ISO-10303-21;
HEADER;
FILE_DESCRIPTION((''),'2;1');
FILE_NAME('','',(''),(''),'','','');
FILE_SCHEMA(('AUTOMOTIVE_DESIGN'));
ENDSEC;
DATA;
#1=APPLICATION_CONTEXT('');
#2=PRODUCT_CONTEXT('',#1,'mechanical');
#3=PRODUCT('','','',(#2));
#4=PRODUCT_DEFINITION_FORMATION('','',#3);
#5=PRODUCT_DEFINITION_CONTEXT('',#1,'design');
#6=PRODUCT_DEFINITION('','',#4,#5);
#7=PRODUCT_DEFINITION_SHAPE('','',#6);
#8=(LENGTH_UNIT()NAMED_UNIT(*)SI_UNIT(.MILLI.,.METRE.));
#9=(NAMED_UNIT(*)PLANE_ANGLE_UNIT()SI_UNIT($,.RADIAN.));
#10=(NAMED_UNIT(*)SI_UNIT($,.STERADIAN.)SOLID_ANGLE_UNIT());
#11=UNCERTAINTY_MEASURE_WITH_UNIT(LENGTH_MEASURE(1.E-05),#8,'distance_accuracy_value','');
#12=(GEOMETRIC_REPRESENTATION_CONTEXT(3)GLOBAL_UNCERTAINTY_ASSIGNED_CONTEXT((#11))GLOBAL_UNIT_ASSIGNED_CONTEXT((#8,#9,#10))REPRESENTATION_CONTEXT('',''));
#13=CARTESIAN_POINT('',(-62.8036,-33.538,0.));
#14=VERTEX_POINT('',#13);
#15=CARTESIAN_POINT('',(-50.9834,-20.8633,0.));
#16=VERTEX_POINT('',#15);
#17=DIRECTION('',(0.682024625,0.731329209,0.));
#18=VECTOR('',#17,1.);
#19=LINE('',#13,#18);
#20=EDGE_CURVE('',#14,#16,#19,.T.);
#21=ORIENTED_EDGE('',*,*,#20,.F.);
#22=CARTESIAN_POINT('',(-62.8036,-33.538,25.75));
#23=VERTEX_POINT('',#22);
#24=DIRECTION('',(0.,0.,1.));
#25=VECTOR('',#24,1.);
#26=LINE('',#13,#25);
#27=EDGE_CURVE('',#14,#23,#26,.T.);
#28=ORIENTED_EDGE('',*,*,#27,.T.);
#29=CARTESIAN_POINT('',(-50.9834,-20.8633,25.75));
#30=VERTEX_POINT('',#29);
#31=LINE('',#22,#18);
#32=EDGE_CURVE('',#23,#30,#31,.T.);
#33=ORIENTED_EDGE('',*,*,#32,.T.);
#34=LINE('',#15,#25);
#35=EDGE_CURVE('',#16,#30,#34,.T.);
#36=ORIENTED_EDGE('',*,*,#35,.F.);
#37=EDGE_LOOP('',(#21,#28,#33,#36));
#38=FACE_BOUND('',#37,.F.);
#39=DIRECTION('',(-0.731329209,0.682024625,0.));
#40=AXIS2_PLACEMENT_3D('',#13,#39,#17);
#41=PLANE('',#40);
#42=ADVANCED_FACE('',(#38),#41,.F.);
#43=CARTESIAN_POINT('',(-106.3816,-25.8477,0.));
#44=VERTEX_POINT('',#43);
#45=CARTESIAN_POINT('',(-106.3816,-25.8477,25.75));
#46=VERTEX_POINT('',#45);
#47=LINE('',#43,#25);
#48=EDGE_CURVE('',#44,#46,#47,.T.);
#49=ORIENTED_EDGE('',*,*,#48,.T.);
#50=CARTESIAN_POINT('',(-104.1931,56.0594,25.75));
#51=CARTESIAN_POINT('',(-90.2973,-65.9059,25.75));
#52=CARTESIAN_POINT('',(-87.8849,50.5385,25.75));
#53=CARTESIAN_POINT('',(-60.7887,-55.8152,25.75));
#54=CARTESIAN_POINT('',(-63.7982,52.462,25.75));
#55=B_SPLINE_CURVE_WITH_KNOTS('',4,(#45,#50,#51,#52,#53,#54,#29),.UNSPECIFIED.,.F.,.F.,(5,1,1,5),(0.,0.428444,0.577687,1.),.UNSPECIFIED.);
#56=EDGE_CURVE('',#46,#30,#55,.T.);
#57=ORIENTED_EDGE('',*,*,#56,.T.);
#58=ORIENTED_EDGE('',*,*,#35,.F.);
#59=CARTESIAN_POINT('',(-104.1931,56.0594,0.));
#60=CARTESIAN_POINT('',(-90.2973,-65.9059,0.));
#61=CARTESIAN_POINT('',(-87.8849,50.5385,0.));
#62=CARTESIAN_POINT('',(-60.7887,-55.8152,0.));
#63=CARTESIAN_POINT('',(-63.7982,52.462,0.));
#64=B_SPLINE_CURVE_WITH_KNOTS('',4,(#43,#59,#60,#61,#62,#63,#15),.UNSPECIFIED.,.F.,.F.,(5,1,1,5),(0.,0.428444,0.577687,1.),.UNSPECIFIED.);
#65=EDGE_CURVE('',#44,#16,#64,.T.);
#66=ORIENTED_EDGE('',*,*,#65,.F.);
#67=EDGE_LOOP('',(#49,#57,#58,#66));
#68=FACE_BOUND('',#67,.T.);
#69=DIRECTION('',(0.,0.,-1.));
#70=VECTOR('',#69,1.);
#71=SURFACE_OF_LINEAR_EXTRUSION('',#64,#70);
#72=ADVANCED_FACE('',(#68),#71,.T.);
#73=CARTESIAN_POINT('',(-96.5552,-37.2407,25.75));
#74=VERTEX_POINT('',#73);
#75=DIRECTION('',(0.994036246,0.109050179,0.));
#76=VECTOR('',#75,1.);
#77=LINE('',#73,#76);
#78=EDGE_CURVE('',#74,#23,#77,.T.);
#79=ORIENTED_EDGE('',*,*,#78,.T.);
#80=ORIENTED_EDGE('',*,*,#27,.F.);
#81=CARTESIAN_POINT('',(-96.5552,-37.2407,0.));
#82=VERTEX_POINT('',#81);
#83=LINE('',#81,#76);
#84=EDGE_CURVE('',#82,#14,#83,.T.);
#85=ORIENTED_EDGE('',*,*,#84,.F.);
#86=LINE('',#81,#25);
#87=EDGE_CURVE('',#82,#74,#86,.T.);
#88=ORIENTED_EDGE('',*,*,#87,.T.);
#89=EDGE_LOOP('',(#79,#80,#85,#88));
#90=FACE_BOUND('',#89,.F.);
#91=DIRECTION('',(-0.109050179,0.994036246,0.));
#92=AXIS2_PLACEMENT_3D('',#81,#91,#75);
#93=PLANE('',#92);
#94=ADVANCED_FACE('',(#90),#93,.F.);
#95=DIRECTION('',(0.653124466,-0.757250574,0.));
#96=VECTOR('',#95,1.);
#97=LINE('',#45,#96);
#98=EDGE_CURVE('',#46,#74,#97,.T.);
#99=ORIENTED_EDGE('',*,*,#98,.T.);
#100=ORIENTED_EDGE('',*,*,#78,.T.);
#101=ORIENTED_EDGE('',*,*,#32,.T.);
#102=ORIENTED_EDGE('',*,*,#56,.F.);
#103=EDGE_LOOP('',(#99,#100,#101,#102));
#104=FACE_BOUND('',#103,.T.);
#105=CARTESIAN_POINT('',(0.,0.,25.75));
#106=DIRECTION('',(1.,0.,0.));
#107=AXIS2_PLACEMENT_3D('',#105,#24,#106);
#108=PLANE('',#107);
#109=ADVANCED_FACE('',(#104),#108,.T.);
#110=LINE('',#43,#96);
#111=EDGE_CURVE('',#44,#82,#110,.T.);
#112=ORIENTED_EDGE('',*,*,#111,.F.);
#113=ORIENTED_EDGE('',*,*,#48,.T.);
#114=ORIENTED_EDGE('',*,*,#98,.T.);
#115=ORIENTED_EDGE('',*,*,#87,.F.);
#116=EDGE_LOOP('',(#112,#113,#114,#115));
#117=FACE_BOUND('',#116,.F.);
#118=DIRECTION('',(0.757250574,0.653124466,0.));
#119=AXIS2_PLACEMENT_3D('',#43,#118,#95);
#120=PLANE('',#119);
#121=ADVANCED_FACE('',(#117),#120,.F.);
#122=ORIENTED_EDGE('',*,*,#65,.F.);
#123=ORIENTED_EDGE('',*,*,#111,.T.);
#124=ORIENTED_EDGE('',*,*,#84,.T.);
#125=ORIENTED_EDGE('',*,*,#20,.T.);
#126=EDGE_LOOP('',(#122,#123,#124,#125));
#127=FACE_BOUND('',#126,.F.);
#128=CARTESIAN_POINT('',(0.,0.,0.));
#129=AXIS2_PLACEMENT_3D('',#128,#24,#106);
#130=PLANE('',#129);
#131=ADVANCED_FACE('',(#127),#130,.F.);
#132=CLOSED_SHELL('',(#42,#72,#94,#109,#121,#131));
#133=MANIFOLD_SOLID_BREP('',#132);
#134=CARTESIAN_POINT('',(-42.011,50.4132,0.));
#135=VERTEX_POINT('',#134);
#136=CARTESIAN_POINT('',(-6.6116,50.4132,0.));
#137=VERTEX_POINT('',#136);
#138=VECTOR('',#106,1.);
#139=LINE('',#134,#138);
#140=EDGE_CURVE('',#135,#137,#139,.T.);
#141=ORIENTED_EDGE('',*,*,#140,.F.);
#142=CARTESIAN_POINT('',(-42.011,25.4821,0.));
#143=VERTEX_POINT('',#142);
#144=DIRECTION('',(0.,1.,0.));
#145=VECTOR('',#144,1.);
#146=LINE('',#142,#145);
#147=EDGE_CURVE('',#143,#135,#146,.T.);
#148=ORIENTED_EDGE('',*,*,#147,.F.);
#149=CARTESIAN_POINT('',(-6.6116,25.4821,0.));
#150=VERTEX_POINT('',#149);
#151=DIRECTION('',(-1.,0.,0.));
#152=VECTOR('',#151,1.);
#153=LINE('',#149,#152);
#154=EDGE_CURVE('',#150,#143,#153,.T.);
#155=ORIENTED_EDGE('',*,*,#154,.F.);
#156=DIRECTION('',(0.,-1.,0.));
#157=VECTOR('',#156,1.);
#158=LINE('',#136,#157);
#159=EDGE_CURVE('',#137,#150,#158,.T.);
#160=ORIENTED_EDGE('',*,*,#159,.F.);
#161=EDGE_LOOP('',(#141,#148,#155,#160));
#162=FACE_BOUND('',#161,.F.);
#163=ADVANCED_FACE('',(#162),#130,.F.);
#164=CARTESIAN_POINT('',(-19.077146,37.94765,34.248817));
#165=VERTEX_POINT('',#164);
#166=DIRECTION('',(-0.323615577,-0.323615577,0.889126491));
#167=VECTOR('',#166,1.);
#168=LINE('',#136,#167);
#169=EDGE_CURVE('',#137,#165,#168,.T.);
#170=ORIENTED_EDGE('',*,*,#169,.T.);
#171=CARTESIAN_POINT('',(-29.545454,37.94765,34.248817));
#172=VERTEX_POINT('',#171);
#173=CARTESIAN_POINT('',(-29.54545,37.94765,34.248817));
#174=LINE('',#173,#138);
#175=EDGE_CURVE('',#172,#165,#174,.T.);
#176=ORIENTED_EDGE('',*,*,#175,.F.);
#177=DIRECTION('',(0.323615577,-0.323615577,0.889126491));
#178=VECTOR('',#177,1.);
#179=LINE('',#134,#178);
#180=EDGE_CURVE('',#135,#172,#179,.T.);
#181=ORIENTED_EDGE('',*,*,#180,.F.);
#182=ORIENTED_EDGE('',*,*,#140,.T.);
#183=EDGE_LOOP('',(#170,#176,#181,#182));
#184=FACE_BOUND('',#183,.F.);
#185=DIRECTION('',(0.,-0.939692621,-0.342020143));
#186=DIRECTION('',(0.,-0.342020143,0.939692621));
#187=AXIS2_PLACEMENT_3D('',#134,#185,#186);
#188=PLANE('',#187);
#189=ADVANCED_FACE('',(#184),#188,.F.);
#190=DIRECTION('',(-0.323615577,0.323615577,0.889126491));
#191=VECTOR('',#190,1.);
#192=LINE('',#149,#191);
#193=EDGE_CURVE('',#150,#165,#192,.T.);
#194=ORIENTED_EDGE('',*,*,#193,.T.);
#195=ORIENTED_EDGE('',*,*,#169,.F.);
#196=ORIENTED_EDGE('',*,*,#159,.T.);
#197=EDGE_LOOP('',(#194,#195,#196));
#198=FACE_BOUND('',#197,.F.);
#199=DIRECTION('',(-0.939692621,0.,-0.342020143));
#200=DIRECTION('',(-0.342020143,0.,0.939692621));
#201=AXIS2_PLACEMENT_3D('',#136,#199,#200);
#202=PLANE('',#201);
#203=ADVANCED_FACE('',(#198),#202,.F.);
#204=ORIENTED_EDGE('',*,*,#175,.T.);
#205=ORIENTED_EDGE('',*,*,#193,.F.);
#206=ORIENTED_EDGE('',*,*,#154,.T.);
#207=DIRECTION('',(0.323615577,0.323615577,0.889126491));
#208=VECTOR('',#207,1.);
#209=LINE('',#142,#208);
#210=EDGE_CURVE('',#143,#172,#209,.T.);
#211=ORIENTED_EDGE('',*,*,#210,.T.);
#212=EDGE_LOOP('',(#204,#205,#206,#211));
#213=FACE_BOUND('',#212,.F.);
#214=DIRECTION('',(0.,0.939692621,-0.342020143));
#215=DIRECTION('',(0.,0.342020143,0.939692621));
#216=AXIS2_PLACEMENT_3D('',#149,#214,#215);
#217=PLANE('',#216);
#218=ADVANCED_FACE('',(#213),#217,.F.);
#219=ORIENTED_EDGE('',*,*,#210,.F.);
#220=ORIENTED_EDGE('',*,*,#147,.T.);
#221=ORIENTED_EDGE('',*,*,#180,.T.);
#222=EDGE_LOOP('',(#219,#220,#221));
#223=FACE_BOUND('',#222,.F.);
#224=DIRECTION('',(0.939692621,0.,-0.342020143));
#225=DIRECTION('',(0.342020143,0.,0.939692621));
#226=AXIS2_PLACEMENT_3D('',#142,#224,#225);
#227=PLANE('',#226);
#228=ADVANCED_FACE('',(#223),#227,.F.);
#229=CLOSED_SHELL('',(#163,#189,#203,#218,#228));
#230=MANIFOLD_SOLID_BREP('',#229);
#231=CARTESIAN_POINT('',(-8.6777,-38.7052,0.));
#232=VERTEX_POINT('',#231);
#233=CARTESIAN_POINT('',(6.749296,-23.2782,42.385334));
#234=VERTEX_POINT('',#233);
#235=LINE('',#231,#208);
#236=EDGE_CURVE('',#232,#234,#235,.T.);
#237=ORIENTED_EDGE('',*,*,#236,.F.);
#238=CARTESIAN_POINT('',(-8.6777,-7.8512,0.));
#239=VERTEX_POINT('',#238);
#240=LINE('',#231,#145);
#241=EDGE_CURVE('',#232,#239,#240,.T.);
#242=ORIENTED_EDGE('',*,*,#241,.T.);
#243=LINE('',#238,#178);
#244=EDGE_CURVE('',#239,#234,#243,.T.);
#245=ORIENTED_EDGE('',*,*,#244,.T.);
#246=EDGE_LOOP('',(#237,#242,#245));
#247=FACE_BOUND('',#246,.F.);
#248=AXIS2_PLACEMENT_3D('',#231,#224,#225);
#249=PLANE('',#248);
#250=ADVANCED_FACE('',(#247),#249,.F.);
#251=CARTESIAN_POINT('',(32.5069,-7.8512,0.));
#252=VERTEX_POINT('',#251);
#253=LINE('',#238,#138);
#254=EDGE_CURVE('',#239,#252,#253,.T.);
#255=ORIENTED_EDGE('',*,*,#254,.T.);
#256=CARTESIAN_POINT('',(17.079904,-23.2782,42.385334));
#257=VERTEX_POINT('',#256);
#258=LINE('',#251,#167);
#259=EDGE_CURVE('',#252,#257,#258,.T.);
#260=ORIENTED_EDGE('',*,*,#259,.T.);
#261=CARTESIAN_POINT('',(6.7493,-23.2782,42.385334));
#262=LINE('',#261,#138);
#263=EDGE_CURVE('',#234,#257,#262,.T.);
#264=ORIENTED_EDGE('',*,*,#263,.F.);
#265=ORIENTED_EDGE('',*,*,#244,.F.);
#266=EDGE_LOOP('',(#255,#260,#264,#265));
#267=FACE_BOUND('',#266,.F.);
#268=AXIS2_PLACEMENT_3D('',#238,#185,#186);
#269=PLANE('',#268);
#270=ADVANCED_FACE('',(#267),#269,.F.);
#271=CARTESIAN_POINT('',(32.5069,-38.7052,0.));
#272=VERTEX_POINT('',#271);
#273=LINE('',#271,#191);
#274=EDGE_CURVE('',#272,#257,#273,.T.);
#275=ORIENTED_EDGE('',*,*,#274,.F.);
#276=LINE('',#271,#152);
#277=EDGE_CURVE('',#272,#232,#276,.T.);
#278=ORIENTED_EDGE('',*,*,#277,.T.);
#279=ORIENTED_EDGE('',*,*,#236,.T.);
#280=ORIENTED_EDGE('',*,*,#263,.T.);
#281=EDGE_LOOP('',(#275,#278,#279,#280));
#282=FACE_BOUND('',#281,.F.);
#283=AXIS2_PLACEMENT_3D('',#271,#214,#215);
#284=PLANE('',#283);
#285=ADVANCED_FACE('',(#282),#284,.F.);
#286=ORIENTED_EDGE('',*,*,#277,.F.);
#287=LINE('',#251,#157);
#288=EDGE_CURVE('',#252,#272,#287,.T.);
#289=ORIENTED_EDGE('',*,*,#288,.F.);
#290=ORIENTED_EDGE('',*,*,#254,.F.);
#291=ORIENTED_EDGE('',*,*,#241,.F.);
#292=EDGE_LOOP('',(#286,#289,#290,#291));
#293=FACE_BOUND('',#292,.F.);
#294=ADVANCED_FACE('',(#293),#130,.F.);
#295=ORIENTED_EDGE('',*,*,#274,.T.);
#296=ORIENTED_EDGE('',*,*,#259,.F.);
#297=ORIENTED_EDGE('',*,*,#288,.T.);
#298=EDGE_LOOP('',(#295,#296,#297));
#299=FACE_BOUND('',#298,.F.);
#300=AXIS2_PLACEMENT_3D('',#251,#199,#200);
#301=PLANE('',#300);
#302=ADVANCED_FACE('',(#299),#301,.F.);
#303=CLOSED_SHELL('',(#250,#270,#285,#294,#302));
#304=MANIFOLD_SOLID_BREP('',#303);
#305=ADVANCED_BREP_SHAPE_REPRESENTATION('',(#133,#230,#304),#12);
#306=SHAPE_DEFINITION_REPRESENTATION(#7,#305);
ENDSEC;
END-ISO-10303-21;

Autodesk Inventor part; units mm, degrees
ref_plane "YZ Plane" through (0, 0, 0) normal (1, 0, 0) x (0, 1, 0)
ref_plane "XZ Plane" through (0, 0, 0) normal (0, 1, 0) x (-1, 0, 0)
ref_plane "XY Plane" through (0, 0, 0) normal (0, 0, 1) x (1, 0, 0)
sketch "Sketch1" plane through (0, 0, 0) normal (0, 0, 1) x (1, 0, 0)
  line L0 (-42.011, 50.4132) -> (-6.6116, 50.4132)
  line L1 (-6.6116, 50.4132) -> (-6.6116, 25.4821)
  line L2 (-6.6116, 25.4821) -> (-42.011, 25.4821)
  line L3 (-42.011, 25.4821) -> (-42.011, 50.4132)
  line L4 (-8.6777, -7.8512) -> (32.5069, -7.8512)
  line L5 (32.5069, -7.8512) -> (32.5069, -38.7052)
  line L6 (32.5069, -38.7052) -> (-8.6777, -38.7052)
  line L7 (-8.6777, -38.7052) -> (-8.6777, -7.8512)
  point P0 (0, 0)
extrude "Extrusion1" add sketch "Sketch1" along normal blind 50 draft -20
sketch "Sketch2" plane through (0, 0, 0) normal (0, 0, 1) x (1, 0, 0)
  spline S0 degree 4 poles (-106.3816, -25.8477) (-104.1931, 56.0594) (-90.2973, -65.9059) (-87.8849, 50.5385) (-60.7887, -55.8152) (-63.7982, 52.462) (-50.9834, -20.8633) knots 0 0 0 0 0 0.428444 0.577687 1 1 1 1 1
  line L0 (-106.3816, -25.8477) -> (-96.5552, -37.2407)
  line L1 (-96.5552, -37.2407) -> (-62.8036, -33.538)
  line L2 (-62.8036, -33.538) -> (-50.9834, -20.8633)
  point P0 (0, 0)
  point P1 (-96.5556, -4.3439)
  point P2 (-88.5804, -16.1639)
  point P3 (-81.3176, -5.7681)
  point P4 (-72.0604, -12.1762)
  point P5 (-63.943, -1.3531)
extrude "Extrusion2" add sketch "Sketch2" along normal blind 25.75 separate body
properties part number "DemoSimplePart"
